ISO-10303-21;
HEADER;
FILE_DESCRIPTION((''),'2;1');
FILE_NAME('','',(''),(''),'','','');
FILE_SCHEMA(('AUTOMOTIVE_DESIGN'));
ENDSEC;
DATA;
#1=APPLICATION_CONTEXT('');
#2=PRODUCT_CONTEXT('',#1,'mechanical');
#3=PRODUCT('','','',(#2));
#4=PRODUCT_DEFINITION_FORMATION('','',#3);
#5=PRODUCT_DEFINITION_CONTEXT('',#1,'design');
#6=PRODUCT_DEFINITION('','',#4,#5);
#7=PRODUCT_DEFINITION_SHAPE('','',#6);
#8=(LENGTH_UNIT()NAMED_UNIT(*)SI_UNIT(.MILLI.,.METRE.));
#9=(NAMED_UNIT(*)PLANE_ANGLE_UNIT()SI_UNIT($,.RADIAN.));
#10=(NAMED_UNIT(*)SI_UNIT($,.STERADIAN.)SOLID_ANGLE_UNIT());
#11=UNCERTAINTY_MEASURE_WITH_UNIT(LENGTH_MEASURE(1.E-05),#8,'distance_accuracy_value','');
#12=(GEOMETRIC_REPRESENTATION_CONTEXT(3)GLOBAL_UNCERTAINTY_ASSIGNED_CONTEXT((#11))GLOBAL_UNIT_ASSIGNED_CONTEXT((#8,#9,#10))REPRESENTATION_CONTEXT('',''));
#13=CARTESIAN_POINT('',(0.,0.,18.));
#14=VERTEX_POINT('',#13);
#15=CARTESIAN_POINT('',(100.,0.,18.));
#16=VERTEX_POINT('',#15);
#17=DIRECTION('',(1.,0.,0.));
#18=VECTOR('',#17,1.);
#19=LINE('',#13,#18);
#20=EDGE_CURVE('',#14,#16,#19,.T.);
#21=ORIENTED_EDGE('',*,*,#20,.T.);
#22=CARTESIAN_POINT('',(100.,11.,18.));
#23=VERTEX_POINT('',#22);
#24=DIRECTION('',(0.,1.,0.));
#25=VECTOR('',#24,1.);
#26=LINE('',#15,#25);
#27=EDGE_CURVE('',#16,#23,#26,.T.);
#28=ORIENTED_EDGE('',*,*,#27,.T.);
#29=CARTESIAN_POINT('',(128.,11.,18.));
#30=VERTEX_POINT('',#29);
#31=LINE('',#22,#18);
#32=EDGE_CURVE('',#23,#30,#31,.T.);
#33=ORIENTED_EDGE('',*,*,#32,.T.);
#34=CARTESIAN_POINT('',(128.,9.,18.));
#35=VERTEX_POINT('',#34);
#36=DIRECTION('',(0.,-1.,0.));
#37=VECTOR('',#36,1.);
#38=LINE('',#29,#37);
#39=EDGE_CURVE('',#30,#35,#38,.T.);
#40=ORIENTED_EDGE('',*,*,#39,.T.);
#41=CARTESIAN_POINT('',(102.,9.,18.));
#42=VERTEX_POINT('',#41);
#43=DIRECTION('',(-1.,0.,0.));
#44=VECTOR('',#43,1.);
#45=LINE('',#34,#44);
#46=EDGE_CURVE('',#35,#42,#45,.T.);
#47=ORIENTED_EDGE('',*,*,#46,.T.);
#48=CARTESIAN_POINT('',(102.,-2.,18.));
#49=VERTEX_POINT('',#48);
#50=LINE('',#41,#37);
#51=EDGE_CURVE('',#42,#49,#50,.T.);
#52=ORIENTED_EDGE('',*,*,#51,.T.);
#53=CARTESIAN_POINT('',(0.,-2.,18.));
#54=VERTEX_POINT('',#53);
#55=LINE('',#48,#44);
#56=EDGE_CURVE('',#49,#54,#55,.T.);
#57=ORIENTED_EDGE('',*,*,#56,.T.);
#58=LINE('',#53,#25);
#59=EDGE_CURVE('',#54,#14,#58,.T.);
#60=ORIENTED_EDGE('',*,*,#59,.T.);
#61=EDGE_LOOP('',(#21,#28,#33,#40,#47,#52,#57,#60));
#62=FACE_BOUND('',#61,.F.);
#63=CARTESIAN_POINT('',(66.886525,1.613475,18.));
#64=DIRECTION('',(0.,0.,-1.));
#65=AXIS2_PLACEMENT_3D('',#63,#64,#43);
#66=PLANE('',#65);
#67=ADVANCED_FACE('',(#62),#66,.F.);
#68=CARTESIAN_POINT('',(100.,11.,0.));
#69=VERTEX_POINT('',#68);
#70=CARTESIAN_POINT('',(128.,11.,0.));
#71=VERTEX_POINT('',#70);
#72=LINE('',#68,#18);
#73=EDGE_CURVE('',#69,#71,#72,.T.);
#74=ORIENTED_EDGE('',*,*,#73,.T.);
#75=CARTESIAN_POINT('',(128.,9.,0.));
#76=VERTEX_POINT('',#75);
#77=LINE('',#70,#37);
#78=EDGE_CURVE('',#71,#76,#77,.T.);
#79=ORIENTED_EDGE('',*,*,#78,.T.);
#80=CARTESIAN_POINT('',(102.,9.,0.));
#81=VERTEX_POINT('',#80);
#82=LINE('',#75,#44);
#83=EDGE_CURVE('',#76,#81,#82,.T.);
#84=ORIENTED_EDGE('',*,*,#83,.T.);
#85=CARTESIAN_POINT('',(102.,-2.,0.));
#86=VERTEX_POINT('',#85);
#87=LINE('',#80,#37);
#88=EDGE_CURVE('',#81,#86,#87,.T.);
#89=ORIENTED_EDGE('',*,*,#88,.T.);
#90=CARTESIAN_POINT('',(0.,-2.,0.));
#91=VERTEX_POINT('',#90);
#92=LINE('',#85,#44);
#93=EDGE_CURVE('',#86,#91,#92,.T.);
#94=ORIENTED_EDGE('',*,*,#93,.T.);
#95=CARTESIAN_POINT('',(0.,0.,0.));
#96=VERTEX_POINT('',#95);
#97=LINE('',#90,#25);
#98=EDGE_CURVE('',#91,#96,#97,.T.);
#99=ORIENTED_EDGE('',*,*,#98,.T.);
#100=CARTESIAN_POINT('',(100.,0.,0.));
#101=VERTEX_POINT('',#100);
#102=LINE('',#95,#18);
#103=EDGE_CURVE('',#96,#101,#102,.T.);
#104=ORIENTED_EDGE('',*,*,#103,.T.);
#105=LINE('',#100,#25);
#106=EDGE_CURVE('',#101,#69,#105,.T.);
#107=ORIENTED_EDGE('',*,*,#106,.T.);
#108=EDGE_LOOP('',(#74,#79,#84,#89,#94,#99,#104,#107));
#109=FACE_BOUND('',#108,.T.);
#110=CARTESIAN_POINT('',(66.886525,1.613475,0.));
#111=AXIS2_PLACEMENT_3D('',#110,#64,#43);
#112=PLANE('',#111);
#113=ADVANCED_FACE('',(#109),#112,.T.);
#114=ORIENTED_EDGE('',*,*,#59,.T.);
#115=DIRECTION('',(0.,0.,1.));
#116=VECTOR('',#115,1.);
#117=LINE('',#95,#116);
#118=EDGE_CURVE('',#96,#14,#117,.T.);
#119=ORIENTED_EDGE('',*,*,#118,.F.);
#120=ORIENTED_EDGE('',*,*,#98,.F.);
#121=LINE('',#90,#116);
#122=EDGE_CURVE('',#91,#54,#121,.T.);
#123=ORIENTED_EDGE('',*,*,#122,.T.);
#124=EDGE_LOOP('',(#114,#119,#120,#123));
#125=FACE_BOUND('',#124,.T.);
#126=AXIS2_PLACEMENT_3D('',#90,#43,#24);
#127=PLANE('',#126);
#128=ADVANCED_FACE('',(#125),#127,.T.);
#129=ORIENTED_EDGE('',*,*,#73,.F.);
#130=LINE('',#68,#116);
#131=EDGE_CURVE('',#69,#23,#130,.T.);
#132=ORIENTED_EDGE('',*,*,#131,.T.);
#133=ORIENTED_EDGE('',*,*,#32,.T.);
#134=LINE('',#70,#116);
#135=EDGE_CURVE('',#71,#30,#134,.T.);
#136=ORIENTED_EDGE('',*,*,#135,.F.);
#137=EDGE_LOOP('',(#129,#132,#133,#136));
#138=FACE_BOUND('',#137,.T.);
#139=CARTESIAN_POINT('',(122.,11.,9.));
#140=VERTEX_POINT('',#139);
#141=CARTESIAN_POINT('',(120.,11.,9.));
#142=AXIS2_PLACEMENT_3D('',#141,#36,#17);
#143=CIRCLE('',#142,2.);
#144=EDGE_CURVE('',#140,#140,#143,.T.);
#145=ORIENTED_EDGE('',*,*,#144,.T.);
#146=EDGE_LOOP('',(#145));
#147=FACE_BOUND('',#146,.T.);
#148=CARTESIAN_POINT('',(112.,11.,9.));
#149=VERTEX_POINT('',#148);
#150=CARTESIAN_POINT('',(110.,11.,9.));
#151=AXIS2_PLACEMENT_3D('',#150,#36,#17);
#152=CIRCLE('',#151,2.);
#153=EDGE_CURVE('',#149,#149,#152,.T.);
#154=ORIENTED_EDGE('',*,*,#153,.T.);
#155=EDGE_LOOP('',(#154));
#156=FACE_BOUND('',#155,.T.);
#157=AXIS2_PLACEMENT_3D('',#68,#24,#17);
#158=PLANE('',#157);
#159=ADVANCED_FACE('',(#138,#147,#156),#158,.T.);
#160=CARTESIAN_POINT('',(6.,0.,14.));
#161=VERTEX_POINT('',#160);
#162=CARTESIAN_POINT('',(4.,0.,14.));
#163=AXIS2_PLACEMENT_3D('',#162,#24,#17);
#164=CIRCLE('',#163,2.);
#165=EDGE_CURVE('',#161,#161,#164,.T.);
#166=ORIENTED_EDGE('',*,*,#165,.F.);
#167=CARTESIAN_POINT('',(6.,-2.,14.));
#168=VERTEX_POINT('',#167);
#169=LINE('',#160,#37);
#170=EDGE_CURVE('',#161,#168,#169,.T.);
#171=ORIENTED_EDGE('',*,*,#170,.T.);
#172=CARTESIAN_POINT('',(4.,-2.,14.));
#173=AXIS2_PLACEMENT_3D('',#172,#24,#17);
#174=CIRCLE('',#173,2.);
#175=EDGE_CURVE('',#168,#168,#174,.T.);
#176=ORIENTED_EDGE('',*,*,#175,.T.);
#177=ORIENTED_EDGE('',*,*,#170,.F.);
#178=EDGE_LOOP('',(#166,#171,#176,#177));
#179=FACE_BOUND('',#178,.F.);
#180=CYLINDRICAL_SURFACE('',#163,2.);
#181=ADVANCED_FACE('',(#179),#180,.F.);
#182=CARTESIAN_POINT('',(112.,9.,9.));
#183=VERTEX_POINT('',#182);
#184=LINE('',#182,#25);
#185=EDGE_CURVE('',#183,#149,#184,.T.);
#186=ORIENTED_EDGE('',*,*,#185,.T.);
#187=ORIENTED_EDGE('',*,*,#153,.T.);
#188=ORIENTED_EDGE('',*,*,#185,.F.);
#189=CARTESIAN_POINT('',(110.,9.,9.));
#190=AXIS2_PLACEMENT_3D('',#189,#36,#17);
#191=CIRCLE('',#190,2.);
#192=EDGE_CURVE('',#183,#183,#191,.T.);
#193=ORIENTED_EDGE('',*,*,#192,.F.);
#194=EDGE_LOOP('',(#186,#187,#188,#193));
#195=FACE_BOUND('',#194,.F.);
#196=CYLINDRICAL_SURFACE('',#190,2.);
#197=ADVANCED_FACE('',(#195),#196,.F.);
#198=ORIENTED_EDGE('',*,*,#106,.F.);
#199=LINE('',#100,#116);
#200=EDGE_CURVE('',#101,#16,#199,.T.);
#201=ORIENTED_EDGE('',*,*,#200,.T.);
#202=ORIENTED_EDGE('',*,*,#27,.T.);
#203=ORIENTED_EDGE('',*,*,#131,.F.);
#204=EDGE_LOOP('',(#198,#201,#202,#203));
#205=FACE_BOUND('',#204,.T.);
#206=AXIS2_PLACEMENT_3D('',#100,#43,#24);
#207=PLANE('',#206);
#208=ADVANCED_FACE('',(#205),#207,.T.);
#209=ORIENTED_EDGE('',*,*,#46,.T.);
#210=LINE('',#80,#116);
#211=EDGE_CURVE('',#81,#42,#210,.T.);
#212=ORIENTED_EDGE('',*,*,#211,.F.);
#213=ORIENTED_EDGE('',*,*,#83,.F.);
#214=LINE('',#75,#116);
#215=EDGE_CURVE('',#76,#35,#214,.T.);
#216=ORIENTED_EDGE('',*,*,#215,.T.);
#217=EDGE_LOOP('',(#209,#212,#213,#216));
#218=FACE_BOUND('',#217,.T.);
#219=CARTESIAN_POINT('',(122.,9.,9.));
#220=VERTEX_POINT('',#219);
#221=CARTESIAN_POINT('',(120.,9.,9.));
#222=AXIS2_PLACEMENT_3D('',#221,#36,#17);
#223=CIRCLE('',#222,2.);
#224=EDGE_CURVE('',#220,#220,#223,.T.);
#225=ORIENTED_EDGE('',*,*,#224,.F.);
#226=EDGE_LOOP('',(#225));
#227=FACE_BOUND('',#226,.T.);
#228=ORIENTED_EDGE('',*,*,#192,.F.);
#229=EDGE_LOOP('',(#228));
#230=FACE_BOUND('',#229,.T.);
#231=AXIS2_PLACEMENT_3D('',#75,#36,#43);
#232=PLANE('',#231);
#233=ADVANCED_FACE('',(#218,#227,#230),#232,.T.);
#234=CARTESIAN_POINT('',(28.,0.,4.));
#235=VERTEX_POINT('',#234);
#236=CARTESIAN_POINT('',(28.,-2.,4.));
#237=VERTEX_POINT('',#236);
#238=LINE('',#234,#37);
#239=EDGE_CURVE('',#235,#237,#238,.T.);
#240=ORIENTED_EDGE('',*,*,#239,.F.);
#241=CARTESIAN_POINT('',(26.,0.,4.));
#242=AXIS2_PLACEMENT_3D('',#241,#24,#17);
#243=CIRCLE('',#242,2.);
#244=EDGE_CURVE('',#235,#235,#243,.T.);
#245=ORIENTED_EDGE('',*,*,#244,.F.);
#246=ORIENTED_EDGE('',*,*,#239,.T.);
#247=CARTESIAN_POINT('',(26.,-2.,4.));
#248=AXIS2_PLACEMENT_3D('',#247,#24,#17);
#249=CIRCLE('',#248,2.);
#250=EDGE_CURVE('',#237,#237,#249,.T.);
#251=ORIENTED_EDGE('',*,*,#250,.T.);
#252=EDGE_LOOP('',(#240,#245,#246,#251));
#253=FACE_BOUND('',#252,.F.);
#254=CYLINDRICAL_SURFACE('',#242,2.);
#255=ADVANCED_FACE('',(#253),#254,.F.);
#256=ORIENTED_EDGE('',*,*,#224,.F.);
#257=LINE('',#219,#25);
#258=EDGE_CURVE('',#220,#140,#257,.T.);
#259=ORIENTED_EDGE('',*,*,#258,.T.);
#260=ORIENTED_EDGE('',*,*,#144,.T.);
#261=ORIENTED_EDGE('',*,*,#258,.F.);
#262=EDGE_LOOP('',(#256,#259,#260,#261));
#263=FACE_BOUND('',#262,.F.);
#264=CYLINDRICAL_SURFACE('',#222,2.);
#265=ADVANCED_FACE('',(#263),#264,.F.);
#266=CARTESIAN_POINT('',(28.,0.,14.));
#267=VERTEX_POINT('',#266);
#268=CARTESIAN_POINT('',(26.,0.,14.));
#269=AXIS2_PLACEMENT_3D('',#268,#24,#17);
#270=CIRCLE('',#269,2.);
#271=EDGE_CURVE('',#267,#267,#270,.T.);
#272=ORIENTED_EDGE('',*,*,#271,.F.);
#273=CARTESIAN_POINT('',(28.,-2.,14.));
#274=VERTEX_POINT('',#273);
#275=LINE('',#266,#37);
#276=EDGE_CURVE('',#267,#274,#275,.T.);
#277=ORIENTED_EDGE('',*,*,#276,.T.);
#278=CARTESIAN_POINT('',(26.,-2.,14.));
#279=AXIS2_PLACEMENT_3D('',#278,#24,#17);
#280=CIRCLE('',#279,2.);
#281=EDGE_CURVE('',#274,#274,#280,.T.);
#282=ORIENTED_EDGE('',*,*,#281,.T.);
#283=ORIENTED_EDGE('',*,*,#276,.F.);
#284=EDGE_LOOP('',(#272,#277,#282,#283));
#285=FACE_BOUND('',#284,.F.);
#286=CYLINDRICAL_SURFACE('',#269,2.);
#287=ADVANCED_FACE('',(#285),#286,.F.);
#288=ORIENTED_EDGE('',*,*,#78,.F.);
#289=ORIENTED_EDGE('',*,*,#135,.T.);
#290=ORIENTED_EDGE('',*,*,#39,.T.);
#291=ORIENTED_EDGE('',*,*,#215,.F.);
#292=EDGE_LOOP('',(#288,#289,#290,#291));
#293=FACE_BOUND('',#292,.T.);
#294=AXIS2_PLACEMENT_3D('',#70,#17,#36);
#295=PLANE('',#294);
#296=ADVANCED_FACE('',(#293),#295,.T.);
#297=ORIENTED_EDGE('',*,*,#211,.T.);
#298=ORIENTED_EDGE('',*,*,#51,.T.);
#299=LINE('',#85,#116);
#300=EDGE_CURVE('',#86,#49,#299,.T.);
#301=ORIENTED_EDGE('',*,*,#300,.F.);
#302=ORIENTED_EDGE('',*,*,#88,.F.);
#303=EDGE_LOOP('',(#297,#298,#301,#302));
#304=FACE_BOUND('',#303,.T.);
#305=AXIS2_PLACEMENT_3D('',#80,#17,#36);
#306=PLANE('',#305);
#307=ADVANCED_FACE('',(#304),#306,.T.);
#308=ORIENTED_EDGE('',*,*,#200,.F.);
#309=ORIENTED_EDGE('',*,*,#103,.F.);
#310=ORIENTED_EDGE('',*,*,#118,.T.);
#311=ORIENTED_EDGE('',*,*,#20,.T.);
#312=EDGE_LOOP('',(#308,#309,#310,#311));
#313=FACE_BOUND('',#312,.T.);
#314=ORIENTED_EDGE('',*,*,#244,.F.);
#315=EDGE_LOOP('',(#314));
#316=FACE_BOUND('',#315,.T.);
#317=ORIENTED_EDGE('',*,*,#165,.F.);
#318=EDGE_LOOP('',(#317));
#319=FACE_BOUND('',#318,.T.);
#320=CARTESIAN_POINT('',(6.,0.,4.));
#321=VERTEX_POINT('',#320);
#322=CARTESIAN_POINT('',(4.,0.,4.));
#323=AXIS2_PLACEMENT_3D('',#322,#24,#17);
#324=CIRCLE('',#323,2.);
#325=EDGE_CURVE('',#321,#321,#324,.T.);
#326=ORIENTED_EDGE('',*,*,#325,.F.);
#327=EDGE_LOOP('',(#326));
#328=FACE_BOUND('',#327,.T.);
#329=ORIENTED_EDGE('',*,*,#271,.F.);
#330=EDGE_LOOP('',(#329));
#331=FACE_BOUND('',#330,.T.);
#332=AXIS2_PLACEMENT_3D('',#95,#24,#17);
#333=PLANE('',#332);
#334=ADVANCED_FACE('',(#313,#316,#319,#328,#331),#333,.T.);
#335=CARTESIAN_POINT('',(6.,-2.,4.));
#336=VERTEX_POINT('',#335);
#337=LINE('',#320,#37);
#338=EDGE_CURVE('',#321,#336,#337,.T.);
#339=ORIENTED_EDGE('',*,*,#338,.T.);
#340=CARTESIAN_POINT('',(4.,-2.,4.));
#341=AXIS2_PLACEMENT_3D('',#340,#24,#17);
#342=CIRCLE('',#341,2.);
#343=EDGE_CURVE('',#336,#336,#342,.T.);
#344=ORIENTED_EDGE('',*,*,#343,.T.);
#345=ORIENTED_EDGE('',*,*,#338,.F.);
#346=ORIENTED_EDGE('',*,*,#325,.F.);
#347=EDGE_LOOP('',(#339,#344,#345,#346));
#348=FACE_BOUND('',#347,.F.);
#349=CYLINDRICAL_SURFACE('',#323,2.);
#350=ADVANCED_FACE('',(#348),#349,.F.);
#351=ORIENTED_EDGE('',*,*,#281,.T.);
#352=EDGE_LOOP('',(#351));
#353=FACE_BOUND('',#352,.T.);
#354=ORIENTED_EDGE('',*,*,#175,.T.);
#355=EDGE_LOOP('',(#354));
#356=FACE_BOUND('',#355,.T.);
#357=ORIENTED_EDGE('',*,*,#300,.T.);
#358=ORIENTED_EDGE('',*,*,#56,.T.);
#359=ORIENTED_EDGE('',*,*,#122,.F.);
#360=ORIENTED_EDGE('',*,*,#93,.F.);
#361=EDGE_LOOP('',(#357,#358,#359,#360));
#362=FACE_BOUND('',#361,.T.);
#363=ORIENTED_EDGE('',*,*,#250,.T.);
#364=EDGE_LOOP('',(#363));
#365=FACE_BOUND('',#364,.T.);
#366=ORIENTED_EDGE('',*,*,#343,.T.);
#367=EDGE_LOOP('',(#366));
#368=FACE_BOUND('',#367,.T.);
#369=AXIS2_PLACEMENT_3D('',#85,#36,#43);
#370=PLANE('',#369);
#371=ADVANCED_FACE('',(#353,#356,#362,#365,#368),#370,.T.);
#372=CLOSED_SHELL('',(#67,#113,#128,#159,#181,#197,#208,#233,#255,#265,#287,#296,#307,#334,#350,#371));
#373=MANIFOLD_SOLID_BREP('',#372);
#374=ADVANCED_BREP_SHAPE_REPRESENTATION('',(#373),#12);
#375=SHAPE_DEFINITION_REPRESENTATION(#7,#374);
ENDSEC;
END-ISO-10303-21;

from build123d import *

# Parameters (mm, degrees)
BOSS_EXTRUDE1_DEPTH = 18
CUT_EXTRUDE1_REACH  = 4
SKETCH2_R           = 2
CUT_EXTRUDE2_REACH  = 4
SKETCH3_R           = 2


with BuildPart() as part:
    # Sketch1 → Boss-Extrude1 (new body)
    with BuildSketch(Plane.XY):
        Polygon((0, 0), (100, 0), (100, 11), (128, 11), (128, 9), (102, 9), (102, -2), (0, -2), align=None)
    extrude(amount=BOSS_EXTRUDE1_DEPTH)

    # Sketch2 → Cut-Extrude1 (cut, up to next)
    with BuildSketch(Plane(origin=(0, 0, 0), x_dir=(1, 0, 0), z_dir=(0, 1, 0)), mode=Mode.PRIVATE) as cut_extrude1_sk1:
        with Locations((4, -14)):
            Circle(SKETCH2_R)
    cut_extrude1_tool1 = extrude(cut_extrude1_sk1.sketch, amount=-CUT_EXTRUDE1_REACH, mode=Mode.PRIVATE) & part.part
    add(cut_extrude1_tool1.solids().sort_by_distance((4, 0, 14))[0], mode=Mode.SUBTRACT)
    # Sketch2 → Cut-Extrude1 (cut, up to next)
    with BuildSketch(Plane(origin=(0, 0, 0), x_dir=(1, 0, 0), z_dir=(0, 1, 0)), mode=Mode.PRIVATE) as cut_extrude1_sk2:
        with Locations((4, -4)):
            Circle(SKETCH2_R)
    cut_extrude1_tool2 = extrude(cut_extrude1_sk2.sketch, amount=-CUT_EXTRUDE1_REACH, mode=Mode.PRIVATE) & part.part
    add(cut_extrude1_tool2.solids().sort_by_distance((4, 0, 4))[0], mode=Mode.SUBTRACT)
    # Sketch2 → Cut-Extrude1 (cut, up to next)
    with BuildSketch(Plane(origin=(0, 0, 0), x_dir=(1, 0, 0), z_dir=(0, 1, 0)), mode=Mode.PRIVATE) as cut_extrude1_sk3:
        with Locations((26, -14)):
            Circle(SKETCH2_R)
    cut_extrude1_tool3 = extrude(cut_extrude1_sk3.sketch, amount=-CUT_EXTRUDE1_REACH, mode=Mode.PRIVATE) & part.part
    add(cut_extrude1_tool3.solids().sort_by_distance((26, 0, 14))[0], mode=Mode.SUBTRACT)
    # Sketch2 → Cut-Extrude1 (cut, up to next)
    with BuildSketch(Plane(origin=(0, 0, 0), x_dir=(1, 0, 0), z_dir=(0, 1, 0)), mode=Mode.PRIVATE) as cut_extrude1_sk4:
        with Locations((26, -4)):
            Circle(SKETCH2_R)
    cut_extrude1_tool4 = extrude(cut_extrude1_sk4.sketch, amount=-CUT_EXTRUDE1_REACH, mode=Mode.PRIVATE) & part.part
    add(cut_extrude1_tool4.solids().sort_by_distance((26, 0, 4))[0], mode=Mode.SUBTRACT)

    # Sketch3 → Cut-Extrude2 (cut, up to next)
    with BuildSketch(Plane.XZ.offset(-9), mode=Mode.PRIVATE) as cut_extrude2_sk1:
        with Locations((120, 9)):
            Circle(SKETCH3_R)
    cut_extrude2_tool1 = extrude(cut_extrude2_sk1.sketch, amount=-CUT_EXTRUDE2_REACH, mode=Mode.PRIVATE) & part.part
    add(cut_extrude2_tool1.solids().sort_by_distance((120, 9, 9))[0], mode=Mode.SUBTRACT)
    # Sketch3 → Cut-Extrude2 (cut, up to next)
    with BuildSketch(Plane.XZ.offset(-9), mode=Mode.PRIVATE) as cut_extrude2_sk2:
        with Locations((110, 9)):
            Circle(SKETCH3_R)
    cut_extrude2_tool2 = extrude(cut_extrude2_sk2.sketch, amount=-CUT_EXTRUDE2_REACH, mode=Mode.PRIVATE) & part.part
    add(cut_extrude2_tool2.solids().sort_by_distance((110, 9, 9))[0], mode=Mode.SUBTRACT)


solid = part.part
